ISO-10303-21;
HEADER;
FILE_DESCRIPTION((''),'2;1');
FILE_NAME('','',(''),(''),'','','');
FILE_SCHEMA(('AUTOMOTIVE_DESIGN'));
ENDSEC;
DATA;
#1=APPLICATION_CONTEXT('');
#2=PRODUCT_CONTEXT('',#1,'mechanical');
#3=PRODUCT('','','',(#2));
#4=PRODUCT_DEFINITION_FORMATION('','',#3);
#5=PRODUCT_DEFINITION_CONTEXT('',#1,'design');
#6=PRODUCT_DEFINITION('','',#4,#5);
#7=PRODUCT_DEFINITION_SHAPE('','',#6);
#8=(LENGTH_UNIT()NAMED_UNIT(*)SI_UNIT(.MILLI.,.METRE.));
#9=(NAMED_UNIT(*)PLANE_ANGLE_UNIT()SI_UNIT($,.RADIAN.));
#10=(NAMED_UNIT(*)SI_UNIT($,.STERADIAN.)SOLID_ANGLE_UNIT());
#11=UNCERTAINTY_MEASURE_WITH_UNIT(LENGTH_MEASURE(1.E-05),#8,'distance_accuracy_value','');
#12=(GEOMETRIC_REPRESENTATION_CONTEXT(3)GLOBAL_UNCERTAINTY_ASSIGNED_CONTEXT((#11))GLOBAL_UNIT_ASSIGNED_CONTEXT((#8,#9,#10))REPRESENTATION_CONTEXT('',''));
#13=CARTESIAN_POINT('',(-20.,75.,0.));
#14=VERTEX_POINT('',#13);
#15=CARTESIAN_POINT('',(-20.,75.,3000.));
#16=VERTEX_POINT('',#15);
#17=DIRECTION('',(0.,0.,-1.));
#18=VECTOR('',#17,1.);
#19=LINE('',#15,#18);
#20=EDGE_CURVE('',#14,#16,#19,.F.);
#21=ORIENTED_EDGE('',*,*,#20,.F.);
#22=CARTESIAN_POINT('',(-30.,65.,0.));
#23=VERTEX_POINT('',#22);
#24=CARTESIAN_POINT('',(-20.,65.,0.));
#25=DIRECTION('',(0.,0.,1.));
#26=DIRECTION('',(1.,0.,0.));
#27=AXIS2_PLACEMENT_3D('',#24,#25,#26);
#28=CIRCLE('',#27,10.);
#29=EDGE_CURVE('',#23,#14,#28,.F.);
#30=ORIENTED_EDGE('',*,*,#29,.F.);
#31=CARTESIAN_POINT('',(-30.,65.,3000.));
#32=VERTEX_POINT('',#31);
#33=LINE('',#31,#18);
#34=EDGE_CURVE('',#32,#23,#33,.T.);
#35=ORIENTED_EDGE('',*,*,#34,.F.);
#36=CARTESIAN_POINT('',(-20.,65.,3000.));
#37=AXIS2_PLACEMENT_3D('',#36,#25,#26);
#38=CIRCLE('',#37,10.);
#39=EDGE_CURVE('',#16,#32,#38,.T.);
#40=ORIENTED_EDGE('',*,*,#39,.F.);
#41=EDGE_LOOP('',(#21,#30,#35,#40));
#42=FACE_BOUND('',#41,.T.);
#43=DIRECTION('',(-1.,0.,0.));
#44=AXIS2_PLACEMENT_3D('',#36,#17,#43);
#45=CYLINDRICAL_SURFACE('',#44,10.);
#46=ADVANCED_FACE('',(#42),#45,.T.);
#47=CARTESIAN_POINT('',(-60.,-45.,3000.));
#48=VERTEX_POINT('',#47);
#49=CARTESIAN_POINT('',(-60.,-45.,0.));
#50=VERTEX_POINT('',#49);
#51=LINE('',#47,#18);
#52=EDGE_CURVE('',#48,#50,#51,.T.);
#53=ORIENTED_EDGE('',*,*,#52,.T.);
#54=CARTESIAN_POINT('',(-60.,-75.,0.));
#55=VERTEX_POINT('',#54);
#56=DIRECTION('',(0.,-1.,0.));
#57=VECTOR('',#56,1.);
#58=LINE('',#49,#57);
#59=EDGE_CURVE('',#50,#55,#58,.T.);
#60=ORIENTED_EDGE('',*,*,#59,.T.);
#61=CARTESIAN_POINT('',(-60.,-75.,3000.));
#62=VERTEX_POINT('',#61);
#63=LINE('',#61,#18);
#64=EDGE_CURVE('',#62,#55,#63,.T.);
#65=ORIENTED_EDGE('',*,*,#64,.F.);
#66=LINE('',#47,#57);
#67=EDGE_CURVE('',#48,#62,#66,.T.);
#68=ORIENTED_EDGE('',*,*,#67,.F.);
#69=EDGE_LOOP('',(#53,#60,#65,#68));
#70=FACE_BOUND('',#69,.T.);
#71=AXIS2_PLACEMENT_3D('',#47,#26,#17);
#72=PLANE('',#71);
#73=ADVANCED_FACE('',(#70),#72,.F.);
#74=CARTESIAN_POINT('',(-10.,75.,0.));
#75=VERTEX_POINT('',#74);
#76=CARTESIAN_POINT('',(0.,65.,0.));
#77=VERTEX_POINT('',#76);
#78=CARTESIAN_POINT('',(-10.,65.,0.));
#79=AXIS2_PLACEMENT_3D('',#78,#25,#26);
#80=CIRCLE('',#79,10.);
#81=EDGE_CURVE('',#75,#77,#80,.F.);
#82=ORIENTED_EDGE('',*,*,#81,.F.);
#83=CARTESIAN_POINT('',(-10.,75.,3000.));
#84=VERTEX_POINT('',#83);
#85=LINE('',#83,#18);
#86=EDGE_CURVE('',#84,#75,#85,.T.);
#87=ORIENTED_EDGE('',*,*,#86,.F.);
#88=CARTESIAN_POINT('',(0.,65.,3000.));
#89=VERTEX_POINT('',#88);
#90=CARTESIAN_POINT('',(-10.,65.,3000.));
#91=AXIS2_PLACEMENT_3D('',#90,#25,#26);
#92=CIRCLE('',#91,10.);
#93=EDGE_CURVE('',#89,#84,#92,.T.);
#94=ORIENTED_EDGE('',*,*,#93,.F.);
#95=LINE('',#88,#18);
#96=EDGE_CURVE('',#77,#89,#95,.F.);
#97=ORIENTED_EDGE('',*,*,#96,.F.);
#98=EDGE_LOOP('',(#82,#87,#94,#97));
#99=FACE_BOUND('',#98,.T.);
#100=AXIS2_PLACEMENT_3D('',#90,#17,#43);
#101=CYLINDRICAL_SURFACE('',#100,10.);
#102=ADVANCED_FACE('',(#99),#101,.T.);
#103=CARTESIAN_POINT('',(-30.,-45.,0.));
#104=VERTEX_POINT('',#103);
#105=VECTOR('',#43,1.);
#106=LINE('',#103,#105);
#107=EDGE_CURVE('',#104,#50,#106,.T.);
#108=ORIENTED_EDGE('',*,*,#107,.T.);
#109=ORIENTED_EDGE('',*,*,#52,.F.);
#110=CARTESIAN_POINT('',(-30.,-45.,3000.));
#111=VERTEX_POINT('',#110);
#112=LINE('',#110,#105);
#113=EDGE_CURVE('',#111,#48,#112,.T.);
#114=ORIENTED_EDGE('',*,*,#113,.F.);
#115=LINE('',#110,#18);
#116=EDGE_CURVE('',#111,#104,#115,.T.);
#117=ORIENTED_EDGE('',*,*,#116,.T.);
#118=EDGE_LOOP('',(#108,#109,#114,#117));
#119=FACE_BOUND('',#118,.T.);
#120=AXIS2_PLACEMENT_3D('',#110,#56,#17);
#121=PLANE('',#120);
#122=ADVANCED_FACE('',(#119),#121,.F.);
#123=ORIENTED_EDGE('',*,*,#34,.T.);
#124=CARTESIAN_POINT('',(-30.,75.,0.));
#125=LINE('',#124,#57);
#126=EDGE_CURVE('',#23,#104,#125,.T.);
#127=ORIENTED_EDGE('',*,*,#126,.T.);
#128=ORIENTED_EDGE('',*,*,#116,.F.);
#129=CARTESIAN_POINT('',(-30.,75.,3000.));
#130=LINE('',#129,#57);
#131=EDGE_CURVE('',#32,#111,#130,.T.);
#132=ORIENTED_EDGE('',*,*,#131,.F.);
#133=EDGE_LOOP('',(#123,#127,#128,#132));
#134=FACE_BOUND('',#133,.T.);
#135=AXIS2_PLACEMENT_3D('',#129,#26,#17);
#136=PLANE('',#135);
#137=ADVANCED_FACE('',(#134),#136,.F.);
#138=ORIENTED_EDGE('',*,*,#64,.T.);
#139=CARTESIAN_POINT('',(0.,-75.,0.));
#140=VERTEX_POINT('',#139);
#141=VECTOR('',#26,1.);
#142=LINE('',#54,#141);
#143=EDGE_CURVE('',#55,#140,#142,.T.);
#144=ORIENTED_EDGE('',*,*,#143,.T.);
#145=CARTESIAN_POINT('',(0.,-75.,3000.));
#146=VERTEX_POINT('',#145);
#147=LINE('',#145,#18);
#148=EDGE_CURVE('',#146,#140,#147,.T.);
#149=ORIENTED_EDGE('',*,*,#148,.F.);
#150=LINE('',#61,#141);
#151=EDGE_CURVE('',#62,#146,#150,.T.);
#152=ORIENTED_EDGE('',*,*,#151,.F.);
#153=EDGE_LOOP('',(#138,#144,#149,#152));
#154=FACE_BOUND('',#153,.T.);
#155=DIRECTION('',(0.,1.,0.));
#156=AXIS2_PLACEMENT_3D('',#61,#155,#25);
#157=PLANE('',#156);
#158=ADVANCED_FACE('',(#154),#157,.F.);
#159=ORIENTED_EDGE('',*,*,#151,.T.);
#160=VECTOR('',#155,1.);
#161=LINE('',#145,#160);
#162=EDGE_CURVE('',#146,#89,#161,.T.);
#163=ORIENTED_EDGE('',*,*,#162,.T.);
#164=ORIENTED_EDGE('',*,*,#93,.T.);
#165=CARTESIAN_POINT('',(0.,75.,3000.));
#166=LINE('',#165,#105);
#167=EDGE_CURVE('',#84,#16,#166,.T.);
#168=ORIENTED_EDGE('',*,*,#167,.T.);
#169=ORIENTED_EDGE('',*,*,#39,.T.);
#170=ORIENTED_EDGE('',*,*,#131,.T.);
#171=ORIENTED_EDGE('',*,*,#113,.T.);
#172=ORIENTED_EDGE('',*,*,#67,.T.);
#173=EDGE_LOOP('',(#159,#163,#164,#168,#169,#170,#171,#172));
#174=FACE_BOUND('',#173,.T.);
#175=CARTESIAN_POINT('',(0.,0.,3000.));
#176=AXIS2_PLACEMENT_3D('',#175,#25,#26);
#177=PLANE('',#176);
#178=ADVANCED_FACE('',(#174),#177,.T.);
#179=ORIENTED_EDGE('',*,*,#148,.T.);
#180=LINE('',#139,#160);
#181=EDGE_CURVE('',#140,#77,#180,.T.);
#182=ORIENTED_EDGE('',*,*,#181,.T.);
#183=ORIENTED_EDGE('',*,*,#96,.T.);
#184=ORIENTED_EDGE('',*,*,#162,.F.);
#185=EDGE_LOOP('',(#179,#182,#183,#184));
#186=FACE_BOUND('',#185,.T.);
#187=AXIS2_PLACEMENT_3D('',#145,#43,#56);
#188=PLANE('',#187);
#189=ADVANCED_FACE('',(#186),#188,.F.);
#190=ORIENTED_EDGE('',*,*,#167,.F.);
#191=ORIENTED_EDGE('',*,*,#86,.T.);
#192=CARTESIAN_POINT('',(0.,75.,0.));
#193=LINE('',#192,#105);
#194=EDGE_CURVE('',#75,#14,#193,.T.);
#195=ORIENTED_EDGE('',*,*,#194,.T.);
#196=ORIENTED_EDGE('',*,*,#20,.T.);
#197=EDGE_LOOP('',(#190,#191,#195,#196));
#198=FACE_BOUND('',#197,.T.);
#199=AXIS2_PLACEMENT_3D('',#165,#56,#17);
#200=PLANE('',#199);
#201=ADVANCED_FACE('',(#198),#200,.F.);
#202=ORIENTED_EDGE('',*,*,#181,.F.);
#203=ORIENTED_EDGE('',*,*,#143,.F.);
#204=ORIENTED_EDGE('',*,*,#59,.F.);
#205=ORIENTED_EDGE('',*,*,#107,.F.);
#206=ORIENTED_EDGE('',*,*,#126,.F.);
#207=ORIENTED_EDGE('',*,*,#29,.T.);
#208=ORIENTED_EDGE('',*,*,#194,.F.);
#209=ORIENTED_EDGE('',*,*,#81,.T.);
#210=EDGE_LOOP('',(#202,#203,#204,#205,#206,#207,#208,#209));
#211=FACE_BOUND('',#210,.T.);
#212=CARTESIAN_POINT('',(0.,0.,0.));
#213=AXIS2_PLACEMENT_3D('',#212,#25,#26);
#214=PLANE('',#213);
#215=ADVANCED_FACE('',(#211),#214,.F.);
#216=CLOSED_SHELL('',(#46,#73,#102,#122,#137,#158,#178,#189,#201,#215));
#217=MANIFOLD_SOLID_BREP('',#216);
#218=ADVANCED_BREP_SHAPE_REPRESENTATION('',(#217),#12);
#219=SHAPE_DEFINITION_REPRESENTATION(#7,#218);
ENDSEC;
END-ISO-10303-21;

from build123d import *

# Parameters (mm, degrees)
BOSS_EXTRUDE3_DEPTH = 3000
FILLET1_R           = 10


with BuildPart() as part:
    # Sketch1 → Boss-Extrude3 (new body)
    with BuildSketch(Plane.XY):
        Polygon((0, -75), (0, 75), (-30, 75), (-30, -45), (-60, -45), (-60, -75), align=None)
    extrude(amount=BOSS_EXTRUDE3_DEPTH)

    # Fillet1
    fillet1_edges = [part.edges().sort_by_distance(p)[0] for p in [
        (-30, 75, 1500),
        (0, 75, 1500),
    ]]
    fillet(fillet1_edges, radius=FILLET1_R)


solid = part.part
